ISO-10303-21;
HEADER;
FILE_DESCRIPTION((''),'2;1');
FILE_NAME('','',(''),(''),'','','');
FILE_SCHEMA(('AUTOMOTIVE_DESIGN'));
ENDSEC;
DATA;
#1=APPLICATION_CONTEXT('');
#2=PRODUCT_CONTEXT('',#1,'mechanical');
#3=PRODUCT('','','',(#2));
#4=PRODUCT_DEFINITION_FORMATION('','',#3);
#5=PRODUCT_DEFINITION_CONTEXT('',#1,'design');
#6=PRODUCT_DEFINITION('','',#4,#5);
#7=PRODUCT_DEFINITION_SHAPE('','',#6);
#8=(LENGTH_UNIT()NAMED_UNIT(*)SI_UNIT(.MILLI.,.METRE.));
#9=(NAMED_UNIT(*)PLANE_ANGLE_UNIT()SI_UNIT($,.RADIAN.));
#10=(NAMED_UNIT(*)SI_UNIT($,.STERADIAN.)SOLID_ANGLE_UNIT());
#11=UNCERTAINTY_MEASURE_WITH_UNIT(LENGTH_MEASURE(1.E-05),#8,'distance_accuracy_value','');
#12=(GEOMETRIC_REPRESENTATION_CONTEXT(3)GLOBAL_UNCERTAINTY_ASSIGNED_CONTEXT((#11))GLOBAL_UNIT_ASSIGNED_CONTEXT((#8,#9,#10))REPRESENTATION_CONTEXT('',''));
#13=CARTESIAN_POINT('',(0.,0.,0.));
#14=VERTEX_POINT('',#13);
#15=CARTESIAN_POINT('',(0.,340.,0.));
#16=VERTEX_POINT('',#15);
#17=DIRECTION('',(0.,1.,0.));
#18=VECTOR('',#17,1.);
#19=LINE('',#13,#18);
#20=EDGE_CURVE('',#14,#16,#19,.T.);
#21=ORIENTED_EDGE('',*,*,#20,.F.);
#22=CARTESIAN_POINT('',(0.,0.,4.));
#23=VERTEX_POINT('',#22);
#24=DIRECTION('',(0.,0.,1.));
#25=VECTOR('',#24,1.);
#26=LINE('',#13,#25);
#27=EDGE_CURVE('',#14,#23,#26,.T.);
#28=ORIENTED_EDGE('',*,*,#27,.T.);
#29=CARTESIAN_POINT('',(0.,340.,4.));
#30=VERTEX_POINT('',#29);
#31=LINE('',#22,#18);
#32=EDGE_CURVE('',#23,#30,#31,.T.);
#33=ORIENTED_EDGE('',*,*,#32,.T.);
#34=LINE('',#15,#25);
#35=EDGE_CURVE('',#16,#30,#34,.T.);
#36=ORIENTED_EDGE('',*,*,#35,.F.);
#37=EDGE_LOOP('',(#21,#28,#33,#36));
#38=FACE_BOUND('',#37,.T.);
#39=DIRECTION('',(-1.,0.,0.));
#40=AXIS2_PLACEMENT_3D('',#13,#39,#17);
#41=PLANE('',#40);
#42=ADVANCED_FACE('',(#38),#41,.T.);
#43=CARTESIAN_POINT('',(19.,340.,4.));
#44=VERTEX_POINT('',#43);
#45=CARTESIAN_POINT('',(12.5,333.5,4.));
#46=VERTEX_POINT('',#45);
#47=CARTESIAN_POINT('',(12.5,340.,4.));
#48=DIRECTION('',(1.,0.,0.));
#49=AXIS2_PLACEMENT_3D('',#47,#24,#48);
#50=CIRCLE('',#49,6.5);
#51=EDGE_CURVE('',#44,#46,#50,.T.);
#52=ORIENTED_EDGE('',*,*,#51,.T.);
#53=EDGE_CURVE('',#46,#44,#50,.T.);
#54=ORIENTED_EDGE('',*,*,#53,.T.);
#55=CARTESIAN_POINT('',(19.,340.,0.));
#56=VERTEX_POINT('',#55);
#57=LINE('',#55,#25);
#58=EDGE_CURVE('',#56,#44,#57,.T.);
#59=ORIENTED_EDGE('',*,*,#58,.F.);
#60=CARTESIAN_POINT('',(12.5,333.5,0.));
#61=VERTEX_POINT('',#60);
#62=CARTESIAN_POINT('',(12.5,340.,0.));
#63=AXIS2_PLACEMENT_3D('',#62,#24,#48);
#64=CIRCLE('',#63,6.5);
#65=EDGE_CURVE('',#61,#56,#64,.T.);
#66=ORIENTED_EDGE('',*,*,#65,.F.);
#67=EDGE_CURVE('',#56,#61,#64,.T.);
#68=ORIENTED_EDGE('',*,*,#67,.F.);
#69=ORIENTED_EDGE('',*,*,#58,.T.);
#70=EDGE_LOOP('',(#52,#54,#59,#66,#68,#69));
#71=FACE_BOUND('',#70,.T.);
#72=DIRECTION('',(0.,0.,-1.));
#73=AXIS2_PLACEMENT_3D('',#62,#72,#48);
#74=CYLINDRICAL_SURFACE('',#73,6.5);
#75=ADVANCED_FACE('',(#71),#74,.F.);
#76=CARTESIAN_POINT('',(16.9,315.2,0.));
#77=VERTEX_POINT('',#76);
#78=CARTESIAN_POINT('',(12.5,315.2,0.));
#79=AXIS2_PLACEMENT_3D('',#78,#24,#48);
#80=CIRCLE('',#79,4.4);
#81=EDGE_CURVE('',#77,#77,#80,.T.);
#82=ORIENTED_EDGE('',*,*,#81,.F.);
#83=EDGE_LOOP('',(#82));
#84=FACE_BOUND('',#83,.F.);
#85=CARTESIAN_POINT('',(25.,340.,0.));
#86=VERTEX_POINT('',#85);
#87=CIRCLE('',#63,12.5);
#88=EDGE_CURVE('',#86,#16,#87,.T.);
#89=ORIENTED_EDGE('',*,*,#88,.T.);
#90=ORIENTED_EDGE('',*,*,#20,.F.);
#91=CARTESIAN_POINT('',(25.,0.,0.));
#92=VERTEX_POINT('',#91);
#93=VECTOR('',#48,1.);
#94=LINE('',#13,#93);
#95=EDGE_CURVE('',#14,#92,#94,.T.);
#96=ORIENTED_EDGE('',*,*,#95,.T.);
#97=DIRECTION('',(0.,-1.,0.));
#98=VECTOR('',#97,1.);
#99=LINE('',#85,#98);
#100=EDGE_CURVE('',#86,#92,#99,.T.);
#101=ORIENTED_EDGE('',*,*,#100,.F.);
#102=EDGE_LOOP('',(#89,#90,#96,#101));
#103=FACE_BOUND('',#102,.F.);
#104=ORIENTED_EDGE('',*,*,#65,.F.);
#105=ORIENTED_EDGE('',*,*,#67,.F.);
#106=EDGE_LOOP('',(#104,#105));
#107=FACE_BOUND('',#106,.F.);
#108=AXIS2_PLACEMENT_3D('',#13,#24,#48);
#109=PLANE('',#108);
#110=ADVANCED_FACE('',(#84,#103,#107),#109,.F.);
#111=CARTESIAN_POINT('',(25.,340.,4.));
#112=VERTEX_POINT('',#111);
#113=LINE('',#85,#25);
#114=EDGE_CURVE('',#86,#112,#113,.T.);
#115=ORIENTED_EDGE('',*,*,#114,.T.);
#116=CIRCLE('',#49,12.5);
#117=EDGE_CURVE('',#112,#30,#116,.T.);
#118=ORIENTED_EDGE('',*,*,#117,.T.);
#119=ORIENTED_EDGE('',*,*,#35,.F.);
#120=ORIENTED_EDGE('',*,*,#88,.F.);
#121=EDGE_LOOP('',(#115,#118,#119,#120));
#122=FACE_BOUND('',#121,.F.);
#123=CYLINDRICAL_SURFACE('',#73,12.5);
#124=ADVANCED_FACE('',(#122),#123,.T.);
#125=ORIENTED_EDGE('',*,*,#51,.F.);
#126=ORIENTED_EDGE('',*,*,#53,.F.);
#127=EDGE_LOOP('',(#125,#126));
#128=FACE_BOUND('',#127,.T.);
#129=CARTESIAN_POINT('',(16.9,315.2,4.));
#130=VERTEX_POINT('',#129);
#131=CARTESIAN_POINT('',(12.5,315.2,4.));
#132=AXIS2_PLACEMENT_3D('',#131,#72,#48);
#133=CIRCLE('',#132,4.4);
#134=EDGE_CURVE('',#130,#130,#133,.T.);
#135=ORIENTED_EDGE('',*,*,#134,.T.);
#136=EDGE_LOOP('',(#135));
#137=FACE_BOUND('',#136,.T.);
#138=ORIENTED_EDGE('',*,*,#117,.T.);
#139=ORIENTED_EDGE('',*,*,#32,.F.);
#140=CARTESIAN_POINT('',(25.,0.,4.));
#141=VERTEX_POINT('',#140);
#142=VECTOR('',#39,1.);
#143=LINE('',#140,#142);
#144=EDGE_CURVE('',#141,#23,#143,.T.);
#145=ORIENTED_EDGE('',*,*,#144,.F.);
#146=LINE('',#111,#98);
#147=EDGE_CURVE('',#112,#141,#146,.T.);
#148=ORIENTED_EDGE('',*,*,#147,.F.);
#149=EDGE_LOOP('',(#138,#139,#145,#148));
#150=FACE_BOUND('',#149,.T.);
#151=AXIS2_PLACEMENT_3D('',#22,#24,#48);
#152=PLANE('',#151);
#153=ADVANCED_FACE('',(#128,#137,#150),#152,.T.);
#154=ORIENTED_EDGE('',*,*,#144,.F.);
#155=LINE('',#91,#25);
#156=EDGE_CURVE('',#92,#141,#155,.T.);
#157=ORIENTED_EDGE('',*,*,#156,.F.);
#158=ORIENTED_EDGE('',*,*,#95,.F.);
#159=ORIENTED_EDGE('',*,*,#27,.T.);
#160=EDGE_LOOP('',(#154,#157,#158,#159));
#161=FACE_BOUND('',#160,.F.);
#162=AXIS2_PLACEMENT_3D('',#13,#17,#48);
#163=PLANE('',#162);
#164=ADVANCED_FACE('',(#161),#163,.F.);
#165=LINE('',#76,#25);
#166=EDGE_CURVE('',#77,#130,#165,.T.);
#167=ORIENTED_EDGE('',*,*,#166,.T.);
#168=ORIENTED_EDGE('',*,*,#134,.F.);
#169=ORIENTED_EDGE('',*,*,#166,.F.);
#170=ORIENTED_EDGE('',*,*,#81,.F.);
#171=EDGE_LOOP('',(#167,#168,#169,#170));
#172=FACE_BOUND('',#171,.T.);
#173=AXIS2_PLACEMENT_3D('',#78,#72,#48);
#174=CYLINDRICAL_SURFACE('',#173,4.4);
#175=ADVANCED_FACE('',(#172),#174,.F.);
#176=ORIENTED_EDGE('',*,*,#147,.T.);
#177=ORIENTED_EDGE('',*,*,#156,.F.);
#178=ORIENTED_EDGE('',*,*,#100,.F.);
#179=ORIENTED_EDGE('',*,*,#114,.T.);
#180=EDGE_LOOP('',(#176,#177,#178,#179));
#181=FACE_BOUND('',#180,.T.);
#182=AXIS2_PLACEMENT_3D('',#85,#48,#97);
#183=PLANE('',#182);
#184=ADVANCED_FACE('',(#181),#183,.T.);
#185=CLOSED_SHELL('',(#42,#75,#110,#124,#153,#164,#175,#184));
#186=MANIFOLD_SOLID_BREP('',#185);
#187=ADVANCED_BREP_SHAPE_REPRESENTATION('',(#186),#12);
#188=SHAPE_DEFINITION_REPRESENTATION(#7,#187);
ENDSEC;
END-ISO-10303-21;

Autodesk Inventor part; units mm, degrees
ref_plane "YZ Plane" through (0, 0, 0) normal (1, 0, 0) x (0, 1, 0)
ref_plane "XZ Plane" through (0, 0, 0) normal (0, 1, 0) x (-1, 0, 0)
ref_plane "XY Plane" through (0, 0, 0) normal (0, 0, 1) x (1, 0, 0)
sketch "Boceto1" plane through (0, 0, 0) normal (0, 0, 1) x (1, 0, 0)
  line L0 (0, 0) -> (25, 0)
  line L1 (12.5, 0) -> (12.5, 340)
  circle A0 centre (12.5, 340) radius 6.5
  circle A1 centre (12.5, 340) radius 12.5
  line L2 (25, 340) -> (25, 0)
  line L3 (0, 0) -> (0, 340)
  line L4 (12.5, 340) -> (12.5, 315.2)
  circle A2 centre (12.5, 315.2) radius 4.4
  dimension "d0" = 25
  dimension "d8" = 340
  dimension "d9" = 13
  dimension "d10" = 25
  dimension "d13" = 24.8
  dimension "d14" = 8.8
extrude "Extrusión2" add sketch "Boceto1" along normal blind 4 contours L3 A1 L1 A2 L0 | L1 A2 A1 L2 L0 | A1
properties part number "columna01" material "Madera (abedul)"
